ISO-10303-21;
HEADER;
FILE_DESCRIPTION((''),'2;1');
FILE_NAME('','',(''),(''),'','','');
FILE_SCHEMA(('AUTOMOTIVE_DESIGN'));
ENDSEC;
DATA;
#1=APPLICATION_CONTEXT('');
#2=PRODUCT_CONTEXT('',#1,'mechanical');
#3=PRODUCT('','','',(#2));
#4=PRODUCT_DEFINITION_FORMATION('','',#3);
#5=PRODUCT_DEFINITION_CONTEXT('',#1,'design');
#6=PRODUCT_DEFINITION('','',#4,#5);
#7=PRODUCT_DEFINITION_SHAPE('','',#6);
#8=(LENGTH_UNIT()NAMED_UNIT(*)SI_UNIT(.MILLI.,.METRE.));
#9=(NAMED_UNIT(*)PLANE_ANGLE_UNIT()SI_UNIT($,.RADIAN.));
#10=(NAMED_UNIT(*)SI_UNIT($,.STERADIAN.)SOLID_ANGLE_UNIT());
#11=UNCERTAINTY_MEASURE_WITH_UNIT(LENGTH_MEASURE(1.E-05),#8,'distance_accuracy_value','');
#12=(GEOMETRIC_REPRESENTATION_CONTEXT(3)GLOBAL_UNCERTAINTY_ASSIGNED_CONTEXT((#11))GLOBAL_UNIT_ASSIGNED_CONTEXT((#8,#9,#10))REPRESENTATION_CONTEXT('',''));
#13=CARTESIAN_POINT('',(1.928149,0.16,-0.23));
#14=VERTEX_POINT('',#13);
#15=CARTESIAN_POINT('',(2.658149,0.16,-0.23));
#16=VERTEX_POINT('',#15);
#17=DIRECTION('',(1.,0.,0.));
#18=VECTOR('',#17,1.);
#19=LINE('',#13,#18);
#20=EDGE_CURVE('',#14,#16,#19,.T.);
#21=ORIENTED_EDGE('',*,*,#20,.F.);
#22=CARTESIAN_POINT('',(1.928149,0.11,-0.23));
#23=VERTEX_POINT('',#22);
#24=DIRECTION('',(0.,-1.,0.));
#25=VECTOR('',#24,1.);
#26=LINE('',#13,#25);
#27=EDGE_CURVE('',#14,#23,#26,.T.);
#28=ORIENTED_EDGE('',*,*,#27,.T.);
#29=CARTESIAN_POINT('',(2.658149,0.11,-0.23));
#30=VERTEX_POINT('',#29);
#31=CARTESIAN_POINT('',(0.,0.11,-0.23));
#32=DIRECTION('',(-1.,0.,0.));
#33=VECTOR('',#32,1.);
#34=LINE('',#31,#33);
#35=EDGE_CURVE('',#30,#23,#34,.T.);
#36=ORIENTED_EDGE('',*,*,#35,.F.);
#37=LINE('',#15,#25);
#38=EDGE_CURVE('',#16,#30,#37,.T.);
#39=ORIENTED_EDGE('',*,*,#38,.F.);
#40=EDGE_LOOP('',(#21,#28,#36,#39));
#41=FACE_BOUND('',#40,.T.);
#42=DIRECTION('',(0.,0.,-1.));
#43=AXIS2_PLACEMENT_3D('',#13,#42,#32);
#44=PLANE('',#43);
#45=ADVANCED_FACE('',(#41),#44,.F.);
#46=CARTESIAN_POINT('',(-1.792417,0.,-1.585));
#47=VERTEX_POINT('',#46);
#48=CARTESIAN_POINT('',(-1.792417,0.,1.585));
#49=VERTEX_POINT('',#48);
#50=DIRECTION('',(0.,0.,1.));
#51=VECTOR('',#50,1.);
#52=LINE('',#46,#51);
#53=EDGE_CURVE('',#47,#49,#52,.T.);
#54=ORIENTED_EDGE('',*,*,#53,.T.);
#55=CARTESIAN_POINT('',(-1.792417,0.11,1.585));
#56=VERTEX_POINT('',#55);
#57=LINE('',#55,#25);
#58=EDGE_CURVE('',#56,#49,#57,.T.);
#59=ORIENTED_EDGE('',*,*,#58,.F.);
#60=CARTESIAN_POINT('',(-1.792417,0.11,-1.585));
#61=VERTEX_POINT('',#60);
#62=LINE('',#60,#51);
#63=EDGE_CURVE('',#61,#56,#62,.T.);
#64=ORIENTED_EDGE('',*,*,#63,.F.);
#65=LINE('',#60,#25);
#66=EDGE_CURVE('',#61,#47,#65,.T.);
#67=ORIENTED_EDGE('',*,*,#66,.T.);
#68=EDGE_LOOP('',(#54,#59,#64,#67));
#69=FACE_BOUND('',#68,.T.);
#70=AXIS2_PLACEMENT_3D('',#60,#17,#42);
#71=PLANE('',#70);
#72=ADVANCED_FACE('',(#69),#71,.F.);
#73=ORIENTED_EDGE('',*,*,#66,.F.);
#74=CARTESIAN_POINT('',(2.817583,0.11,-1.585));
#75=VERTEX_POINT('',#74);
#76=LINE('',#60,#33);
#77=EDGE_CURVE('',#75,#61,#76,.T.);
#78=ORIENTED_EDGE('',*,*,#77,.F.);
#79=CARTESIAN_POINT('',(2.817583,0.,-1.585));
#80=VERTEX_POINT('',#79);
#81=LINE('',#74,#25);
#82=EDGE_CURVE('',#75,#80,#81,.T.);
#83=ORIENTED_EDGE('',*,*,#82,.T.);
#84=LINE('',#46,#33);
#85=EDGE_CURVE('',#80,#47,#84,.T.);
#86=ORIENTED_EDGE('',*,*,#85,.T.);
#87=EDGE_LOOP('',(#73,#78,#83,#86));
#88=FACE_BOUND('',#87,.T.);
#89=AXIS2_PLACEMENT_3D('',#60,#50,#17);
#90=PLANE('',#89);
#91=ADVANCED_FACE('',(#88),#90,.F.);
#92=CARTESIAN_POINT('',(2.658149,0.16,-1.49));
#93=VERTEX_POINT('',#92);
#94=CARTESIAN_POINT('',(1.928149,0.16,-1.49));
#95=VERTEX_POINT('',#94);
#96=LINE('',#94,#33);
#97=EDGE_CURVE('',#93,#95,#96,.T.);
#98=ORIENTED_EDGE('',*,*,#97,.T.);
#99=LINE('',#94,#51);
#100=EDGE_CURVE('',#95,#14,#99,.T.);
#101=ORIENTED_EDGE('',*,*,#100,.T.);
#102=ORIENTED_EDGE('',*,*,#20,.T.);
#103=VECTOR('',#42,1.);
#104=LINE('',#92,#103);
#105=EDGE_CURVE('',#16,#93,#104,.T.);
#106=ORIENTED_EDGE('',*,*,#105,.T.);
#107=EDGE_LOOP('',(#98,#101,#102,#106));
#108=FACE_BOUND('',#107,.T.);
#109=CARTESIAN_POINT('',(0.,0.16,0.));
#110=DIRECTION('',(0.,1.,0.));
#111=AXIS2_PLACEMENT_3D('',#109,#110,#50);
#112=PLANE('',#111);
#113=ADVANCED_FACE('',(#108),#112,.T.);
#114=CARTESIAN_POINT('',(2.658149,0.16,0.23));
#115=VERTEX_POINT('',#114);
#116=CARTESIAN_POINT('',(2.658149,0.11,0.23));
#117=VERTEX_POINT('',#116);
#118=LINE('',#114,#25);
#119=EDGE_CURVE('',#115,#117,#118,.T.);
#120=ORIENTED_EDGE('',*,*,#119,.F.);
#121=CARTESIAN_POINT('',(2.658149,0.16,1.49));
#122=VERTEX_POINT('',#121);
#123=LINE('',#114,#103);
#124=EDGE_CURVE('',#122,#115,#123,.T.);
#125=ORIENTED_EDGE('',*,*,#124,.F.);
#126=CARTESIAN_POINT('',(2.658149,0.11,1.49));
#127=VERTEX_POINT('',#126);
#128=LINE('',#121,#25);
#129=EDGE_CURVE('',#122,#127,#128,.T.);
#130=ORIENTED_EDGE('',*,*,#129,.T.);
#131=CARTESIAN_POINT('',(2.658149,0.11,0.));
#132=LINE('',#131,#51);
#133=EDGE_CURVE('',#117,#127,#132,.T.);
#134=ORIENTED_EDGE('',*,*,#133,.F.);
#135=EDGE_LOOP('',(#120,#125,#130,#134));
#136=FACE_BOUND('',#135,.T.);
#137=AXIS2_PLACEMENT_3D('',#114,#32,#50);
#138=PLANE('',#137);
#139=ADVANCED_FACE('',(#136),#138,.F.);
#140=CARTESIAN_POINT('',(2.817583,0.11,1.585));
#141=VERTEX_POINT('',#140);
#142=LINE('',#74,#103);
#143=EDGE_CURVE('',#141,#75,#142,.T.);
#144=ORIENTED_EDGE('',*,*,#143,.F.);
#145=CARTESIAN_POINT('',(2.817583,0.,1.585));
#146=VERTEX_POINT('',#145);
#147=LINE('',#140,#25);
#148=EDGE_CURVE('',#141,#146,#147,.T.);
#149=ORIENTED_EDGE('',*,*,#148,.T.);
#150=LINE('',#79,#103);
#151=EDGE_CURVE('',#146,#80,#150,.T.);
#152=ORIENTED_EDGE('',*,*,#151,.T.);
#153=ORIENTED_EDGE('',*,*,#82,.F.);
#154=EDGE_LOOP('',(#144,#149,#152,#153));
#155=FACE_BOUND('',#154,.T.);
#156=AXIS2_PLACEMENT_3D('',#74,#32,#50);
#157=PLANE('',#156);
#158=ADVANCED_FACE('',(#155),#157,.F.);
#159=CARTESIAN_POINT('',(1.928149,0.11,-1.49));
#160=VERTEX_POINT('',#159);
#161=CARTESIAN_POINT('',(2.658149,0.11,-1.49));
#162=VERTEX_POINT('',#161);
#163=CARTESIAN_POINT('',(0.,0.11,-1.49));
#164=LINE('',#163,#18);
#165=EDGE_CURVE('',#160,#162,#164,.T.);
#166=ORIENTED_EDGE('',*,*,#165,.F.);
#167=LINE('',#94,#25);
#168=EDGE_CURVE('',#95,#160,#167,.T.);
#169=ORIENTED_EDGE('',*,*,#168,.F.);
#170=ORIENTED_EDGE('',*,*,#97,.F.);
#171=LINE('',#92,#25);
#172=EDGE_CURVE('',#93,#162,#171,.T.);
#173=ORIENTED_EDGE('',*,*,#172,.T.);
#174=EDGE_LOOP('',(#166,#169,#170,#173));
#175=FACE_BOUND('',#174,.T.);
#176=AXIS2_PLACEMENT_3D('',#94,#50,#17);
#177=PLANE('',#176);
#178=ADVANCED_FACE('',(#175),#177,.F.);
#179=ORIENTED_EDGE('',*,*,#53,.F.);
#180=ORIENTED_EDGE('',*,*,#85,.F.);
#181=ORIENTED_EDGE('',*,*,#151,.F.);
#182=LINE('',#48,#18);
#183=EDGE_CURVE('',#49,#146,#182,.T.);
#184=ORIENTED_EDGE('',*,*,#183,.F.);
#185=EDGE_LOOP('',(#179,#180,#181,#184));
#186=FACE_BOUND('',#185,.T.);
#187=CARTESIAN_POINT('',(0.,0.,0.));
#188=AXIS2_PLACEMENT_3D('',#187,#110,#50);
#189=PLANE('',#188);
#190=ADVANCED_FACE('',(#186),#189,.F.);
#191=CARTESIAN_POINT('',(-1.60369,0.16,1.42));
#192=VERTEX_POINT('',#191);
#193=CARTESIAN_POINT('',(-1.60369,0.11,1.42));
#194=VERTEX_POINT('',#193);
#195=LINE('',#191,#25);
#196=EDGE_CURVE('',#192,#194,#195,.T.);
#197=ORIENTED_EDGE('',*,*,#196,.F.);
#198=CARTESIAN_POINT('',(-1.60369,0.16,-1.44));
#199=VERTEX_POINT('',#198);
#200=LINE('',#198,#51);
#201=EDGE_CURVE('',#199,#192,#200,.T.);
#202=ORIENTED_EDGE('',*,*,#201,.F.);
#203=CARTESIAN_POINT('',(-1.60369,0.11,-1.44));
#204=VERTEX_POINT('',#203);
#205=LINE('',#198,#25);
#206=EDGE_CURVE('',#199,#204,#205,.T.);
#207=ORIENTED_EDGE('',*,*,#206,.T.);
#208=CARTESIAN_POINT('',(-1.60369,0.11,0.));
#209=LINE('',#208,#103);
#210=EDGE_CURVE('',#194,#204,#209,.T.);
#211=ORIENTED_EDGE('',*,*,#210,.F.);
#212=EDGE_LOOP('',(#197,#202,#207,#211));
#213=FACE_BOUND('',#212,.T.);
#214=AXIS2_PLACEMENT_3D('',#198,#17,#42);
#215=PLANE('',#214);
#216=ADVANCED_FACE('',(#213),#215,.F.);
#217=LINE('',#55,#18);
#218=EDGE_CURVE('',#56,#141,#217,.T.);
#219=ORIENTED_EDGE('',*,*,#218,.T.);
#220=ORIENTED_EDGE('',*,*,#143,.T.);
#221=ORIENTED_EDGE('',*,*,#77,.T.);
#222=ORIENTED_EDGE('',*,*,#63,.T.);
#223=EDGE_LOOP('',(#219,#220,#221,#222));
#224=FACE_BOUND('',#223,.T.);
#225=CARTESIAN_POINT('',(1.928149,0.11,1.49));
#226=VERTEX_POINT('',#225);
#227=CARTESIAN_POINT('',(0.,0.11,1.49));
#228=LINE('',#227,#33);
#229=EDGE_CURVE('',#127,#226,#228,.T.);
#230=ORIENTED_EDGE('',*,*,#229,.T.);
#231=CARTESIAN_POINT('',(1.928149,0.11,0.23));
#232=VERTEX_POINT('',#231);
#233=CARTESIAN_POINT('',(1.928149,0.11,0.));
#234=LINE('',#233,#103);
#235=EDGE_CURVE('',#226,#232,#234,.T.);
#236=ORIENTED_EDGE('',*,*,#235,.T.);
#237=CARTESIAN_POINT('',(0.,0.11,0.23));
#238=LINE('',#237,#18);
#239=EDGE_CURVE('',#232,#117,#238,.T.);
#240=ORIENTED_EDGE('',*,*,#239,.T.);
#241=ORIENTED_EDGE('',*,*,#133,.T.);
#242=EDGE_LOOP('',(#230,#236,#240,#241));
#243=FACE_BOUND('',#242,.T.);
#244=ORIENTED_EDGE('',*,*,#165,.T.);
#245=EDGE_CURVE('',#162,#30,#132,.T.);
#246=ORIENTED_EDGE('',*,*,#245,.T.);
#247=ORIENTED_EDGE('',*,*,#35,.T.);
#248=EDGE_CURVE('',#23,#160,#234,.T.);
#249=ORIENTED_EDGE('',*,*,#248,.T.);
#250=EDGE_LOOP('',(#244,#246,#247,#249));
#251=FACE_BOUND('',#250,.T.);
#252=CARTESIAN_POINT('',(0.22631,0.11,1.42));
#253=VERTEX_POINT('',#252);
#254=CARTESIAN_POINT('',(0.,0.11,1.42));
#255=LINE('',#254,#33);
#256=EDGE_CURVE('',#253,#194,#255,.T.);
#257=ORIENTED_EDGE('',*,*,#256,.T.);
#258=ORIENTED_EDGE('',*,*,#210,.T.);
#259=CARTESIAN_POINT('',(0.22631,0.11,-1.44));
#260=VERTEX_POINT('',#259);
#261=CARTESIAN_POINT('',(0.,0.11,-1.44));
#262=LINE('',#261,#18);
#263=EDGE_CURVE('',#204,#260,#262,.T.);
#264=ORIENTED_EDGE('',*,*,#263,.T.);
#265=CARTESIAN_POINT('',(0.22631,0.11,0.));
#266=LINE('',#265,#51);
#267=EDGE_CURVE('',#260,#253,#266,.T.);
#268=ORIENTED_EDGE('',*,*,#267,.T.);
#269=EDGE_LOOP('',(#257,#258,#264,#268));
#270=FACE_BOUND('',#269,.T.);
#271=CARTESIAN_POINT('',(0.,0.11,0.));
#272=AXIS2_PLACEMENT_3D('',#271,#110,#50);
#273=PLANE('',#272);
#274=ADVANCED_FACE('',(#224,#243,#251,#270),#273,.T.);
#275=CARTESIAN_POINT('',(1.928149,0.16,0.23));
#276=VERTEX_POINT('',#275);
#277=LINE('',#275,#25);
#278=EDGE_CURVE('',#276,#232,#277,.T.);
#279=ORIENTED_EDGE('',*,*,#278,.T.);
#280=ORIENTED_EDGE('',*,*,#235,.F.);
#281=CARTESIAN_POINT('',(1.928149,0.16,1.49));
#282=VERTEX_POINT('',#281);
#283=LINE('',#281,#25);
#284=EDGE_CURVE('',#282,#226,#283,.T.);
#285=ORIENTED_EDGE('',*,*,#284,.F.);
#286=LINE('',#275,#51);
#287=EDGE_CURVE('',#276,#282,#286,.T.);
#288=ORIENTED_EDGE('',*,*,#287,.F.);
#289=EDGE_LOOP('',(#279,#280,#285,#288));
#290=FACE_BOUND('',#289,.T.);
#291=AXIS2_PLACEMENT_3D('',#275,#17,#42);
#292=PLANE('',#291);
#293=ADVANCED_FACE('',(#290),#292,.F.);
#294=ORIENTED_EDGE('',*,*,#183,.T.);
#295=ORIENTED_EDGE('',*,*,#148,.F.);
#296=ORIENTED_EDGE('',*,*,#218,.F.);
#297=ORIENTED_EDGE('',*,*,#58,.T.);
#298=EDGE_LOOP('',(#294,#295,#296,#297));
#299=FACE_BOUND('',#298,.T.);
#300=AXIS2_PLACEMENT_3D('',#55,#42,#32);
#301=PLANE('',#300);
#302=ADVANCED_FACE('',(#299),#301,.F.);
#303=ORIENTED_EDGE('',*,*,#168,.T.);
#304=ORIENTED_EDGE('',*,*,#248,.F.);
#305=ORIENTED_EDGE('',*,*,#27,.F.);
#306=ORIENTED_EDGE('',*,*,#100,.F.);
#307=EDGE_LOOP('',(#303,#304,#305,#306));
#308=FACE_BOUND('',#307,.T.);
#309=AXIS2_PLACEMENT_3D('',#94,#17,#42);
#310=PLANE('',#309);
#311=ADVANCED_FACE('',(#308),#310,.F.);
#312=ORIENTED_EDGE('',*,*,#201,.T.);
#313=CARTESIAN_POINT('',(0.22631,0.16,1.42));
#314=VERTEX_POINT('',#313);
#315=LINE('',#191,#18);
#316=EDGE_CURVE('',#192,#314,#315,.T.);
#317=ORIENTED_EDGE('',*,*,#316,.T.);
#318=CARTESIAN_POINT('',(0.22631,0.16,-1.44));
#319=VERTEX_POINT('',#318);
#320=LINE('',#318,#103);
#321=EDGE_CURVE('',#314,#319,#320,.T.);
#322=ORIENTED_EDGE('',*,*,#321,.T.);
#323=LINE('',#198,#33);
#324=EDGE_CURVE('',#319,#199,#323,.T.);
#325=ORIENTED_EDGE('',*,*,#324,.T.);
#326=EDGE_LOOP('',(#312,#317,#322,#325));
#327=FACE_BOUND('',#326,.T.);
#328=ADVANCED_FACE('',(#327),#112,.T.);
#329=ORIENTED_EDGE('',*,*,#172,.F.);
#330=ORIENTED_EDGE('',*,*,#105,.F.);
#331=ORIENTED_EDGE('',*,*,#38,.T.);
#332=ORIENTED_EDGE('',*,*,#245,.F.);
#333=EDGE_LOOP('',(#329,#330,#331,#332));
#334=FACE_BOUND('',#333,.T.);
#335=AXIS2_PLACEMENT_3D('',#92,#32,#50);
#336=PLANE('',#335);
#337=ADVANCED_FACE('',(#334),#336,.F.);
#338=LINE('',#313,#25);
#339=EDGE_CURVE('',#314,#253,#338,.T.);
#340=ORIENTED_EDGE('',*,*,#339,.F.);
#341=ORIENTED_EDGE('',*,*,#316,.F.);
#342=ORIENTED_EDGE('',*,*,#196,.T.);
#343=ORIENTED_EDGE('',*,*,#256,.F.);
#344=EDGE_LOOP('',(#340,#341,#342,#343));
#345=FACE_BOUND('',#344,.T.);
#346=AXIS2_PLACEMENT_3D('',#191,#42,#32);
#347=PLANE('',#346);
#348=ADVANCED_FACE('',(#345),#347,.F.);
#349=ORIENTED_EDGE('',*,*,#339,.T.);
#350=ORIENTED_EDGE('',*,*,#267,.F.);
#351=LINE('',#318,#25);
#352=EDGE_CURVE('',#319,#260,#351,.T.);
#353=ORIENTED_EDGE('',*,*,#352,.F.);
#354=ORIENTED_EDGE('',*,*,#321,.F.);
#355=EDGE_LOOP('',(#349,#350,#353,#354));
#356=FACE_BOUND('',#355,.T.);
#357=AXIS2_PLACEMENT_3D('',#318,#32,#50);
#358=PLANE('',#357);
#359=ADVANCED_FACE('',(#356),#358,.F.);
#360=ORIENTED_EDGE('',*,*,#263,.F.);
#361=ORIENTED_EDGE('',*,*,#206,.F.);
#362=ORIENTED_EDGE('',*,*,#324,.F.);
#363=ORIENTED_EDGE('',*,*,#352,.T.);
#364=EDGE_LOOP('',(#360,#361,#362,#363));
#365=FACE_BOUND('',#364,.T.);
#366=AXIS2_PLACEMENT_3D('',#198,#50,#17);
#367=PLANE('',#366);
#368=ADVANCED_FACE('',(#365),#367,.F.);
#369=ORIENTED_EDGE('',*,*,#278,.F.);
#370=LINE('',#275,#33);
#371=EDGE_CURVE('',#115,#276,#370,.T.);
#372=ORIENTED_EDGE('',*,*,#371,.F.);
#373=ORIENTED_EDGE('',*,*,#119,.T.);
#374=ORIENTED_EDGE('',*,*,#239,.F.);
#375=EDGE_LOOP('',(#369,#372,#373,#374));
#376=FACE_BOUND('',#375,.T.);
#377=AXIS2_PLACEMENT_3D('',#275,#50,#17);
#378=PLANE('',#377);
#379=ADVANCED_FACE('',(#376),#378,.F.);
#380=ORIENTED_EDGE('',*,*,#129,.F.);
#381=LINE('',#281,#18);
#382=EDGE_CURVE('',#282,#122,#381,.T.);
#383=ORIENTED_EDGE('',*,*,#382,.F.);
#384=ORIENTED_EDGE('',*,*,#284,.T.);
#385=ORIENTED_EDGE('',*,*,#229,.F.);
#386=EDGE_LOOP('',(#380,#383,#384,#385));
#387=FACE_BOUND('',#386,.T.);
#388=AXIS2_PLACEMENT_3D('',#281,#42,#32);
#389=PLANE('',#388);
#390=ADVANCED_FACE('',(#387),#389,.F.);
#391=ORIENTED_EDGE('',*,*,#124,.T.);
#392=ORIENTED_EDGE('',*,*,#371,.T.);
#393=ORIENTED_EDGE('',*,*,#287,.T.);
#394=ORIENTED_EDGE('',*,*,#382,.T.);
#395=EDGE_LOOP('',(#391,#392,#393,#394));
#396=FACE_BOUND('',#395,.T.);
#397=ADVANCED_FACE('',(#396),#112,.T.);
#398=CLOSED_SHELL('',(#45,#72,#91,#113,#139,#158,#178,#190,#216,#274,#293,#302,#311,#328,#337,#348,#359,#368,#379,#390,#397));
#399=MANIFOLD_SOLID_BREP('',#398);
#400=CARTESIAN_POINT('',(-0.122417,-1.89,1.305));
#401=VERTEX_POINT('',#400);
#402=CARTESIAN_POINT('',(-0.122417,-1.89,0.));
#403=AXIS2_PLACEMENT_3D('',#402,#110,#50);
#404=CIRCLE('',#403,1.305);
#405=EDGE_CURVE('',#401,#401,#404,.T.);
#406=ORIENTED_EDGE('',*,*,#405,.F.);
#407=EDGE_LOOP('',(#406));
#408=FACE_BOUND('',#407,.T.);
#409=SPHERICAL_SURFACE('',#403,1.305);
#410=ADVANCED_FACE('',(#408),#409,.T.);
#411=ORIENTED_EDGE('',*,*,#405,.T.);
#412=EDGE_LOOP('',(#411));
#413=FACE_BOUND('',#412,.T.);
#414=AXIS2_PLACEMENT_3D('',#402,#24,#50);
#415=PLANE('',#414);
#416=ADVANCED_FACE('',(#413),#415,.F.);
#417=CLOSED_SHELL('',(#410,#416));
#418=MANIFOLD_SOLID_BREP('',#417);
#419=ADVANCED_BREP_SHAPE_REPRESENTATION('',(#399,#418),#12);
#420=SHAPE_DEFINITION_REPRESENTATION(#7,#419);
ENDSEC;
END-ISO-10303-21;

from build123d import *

# Parameters (mm, degrees)
SKETCH1_W           = 4.61
SKETCH1_H           = 3.17
BOSS_EXTRUDE1_DEPTH = 0.11
SKETCH3_W           = 1.83
SKETCH3_H           = 2.86
BOSS_EXTRUDE2_DEPTH = 0.16
SKETCH4_W           = 0.73
SKETCH4_H           = 1.26
BOSS_EXTRUDE3_DEPTH = 0.16
REVOLVE3_ANGLE      = 180


with BuildPart() as part:
    # Sketch1 → Boss-Extrude1 (new body)
    with BuildSketch(Plane(origin=(0, 0, 0), x_dir=(1, 0, 0), z_dir=(0, 1, 0))):
        with Locations((0.512582768, 0)):
            Rectangle(SKETCH1_W, SKETCH1_H)
    extrude(amount=BOSS_EXTRUDE1_DEPTH)

    # Sketch3 → Boss-Extrude2 (add)
    with BuildSketch(Plane(origin=(0, 0, 0), x_dir=(1, 0, 0), z_dir=(0, 1, 0))):
        with Locations((-0.688690494, 0.01)):
            Rectangle(SKETCH3_W, SKETCH3_H)
    extrude(amount=BOSS_EXTRUDE2_DEPTH)

    # Sketch4 → Boss-Extrude3 (add)
    with BuildSketch(Plane(origin=(0, 0, 0), x_dir=(1, 0, 0), z_dir=(0, 1, 0))):
        with Locations((2.293148726, 0.86)):
            Rectangle(SKETCH4_W, SKETCH4_H)
        with Locations((2.293148726, -0.86)):
            Rectangle(SKETCH4_W, SKETCH4_H)
    extrude(amount=BOSS_EXTRUDE3_DEPTH)


with BuildPart() as body_2:
    # Sketch6 → Revolve3 (revolve)
    with BuildSketch(Plane(origin=(0, -1.89, 0), x_dir=(-1, 0, 0), z_dir=(0, -1, 0))):
        with BuildLine():
            Line((0.122417232, 1.305), (0.122417232, -1.305))
            ThreePointArc((0.122417232, -1.305), (1.427417232, 0), (0.122417232, 1.305))
        make_face()
    revolve(axis=Axis((-0.122417232, -1.89, -1.305), (0, 0, 1)), revolution_arc=REVOLVE3_ANGLE)


solid = Compound([part.part, body_2.part])
